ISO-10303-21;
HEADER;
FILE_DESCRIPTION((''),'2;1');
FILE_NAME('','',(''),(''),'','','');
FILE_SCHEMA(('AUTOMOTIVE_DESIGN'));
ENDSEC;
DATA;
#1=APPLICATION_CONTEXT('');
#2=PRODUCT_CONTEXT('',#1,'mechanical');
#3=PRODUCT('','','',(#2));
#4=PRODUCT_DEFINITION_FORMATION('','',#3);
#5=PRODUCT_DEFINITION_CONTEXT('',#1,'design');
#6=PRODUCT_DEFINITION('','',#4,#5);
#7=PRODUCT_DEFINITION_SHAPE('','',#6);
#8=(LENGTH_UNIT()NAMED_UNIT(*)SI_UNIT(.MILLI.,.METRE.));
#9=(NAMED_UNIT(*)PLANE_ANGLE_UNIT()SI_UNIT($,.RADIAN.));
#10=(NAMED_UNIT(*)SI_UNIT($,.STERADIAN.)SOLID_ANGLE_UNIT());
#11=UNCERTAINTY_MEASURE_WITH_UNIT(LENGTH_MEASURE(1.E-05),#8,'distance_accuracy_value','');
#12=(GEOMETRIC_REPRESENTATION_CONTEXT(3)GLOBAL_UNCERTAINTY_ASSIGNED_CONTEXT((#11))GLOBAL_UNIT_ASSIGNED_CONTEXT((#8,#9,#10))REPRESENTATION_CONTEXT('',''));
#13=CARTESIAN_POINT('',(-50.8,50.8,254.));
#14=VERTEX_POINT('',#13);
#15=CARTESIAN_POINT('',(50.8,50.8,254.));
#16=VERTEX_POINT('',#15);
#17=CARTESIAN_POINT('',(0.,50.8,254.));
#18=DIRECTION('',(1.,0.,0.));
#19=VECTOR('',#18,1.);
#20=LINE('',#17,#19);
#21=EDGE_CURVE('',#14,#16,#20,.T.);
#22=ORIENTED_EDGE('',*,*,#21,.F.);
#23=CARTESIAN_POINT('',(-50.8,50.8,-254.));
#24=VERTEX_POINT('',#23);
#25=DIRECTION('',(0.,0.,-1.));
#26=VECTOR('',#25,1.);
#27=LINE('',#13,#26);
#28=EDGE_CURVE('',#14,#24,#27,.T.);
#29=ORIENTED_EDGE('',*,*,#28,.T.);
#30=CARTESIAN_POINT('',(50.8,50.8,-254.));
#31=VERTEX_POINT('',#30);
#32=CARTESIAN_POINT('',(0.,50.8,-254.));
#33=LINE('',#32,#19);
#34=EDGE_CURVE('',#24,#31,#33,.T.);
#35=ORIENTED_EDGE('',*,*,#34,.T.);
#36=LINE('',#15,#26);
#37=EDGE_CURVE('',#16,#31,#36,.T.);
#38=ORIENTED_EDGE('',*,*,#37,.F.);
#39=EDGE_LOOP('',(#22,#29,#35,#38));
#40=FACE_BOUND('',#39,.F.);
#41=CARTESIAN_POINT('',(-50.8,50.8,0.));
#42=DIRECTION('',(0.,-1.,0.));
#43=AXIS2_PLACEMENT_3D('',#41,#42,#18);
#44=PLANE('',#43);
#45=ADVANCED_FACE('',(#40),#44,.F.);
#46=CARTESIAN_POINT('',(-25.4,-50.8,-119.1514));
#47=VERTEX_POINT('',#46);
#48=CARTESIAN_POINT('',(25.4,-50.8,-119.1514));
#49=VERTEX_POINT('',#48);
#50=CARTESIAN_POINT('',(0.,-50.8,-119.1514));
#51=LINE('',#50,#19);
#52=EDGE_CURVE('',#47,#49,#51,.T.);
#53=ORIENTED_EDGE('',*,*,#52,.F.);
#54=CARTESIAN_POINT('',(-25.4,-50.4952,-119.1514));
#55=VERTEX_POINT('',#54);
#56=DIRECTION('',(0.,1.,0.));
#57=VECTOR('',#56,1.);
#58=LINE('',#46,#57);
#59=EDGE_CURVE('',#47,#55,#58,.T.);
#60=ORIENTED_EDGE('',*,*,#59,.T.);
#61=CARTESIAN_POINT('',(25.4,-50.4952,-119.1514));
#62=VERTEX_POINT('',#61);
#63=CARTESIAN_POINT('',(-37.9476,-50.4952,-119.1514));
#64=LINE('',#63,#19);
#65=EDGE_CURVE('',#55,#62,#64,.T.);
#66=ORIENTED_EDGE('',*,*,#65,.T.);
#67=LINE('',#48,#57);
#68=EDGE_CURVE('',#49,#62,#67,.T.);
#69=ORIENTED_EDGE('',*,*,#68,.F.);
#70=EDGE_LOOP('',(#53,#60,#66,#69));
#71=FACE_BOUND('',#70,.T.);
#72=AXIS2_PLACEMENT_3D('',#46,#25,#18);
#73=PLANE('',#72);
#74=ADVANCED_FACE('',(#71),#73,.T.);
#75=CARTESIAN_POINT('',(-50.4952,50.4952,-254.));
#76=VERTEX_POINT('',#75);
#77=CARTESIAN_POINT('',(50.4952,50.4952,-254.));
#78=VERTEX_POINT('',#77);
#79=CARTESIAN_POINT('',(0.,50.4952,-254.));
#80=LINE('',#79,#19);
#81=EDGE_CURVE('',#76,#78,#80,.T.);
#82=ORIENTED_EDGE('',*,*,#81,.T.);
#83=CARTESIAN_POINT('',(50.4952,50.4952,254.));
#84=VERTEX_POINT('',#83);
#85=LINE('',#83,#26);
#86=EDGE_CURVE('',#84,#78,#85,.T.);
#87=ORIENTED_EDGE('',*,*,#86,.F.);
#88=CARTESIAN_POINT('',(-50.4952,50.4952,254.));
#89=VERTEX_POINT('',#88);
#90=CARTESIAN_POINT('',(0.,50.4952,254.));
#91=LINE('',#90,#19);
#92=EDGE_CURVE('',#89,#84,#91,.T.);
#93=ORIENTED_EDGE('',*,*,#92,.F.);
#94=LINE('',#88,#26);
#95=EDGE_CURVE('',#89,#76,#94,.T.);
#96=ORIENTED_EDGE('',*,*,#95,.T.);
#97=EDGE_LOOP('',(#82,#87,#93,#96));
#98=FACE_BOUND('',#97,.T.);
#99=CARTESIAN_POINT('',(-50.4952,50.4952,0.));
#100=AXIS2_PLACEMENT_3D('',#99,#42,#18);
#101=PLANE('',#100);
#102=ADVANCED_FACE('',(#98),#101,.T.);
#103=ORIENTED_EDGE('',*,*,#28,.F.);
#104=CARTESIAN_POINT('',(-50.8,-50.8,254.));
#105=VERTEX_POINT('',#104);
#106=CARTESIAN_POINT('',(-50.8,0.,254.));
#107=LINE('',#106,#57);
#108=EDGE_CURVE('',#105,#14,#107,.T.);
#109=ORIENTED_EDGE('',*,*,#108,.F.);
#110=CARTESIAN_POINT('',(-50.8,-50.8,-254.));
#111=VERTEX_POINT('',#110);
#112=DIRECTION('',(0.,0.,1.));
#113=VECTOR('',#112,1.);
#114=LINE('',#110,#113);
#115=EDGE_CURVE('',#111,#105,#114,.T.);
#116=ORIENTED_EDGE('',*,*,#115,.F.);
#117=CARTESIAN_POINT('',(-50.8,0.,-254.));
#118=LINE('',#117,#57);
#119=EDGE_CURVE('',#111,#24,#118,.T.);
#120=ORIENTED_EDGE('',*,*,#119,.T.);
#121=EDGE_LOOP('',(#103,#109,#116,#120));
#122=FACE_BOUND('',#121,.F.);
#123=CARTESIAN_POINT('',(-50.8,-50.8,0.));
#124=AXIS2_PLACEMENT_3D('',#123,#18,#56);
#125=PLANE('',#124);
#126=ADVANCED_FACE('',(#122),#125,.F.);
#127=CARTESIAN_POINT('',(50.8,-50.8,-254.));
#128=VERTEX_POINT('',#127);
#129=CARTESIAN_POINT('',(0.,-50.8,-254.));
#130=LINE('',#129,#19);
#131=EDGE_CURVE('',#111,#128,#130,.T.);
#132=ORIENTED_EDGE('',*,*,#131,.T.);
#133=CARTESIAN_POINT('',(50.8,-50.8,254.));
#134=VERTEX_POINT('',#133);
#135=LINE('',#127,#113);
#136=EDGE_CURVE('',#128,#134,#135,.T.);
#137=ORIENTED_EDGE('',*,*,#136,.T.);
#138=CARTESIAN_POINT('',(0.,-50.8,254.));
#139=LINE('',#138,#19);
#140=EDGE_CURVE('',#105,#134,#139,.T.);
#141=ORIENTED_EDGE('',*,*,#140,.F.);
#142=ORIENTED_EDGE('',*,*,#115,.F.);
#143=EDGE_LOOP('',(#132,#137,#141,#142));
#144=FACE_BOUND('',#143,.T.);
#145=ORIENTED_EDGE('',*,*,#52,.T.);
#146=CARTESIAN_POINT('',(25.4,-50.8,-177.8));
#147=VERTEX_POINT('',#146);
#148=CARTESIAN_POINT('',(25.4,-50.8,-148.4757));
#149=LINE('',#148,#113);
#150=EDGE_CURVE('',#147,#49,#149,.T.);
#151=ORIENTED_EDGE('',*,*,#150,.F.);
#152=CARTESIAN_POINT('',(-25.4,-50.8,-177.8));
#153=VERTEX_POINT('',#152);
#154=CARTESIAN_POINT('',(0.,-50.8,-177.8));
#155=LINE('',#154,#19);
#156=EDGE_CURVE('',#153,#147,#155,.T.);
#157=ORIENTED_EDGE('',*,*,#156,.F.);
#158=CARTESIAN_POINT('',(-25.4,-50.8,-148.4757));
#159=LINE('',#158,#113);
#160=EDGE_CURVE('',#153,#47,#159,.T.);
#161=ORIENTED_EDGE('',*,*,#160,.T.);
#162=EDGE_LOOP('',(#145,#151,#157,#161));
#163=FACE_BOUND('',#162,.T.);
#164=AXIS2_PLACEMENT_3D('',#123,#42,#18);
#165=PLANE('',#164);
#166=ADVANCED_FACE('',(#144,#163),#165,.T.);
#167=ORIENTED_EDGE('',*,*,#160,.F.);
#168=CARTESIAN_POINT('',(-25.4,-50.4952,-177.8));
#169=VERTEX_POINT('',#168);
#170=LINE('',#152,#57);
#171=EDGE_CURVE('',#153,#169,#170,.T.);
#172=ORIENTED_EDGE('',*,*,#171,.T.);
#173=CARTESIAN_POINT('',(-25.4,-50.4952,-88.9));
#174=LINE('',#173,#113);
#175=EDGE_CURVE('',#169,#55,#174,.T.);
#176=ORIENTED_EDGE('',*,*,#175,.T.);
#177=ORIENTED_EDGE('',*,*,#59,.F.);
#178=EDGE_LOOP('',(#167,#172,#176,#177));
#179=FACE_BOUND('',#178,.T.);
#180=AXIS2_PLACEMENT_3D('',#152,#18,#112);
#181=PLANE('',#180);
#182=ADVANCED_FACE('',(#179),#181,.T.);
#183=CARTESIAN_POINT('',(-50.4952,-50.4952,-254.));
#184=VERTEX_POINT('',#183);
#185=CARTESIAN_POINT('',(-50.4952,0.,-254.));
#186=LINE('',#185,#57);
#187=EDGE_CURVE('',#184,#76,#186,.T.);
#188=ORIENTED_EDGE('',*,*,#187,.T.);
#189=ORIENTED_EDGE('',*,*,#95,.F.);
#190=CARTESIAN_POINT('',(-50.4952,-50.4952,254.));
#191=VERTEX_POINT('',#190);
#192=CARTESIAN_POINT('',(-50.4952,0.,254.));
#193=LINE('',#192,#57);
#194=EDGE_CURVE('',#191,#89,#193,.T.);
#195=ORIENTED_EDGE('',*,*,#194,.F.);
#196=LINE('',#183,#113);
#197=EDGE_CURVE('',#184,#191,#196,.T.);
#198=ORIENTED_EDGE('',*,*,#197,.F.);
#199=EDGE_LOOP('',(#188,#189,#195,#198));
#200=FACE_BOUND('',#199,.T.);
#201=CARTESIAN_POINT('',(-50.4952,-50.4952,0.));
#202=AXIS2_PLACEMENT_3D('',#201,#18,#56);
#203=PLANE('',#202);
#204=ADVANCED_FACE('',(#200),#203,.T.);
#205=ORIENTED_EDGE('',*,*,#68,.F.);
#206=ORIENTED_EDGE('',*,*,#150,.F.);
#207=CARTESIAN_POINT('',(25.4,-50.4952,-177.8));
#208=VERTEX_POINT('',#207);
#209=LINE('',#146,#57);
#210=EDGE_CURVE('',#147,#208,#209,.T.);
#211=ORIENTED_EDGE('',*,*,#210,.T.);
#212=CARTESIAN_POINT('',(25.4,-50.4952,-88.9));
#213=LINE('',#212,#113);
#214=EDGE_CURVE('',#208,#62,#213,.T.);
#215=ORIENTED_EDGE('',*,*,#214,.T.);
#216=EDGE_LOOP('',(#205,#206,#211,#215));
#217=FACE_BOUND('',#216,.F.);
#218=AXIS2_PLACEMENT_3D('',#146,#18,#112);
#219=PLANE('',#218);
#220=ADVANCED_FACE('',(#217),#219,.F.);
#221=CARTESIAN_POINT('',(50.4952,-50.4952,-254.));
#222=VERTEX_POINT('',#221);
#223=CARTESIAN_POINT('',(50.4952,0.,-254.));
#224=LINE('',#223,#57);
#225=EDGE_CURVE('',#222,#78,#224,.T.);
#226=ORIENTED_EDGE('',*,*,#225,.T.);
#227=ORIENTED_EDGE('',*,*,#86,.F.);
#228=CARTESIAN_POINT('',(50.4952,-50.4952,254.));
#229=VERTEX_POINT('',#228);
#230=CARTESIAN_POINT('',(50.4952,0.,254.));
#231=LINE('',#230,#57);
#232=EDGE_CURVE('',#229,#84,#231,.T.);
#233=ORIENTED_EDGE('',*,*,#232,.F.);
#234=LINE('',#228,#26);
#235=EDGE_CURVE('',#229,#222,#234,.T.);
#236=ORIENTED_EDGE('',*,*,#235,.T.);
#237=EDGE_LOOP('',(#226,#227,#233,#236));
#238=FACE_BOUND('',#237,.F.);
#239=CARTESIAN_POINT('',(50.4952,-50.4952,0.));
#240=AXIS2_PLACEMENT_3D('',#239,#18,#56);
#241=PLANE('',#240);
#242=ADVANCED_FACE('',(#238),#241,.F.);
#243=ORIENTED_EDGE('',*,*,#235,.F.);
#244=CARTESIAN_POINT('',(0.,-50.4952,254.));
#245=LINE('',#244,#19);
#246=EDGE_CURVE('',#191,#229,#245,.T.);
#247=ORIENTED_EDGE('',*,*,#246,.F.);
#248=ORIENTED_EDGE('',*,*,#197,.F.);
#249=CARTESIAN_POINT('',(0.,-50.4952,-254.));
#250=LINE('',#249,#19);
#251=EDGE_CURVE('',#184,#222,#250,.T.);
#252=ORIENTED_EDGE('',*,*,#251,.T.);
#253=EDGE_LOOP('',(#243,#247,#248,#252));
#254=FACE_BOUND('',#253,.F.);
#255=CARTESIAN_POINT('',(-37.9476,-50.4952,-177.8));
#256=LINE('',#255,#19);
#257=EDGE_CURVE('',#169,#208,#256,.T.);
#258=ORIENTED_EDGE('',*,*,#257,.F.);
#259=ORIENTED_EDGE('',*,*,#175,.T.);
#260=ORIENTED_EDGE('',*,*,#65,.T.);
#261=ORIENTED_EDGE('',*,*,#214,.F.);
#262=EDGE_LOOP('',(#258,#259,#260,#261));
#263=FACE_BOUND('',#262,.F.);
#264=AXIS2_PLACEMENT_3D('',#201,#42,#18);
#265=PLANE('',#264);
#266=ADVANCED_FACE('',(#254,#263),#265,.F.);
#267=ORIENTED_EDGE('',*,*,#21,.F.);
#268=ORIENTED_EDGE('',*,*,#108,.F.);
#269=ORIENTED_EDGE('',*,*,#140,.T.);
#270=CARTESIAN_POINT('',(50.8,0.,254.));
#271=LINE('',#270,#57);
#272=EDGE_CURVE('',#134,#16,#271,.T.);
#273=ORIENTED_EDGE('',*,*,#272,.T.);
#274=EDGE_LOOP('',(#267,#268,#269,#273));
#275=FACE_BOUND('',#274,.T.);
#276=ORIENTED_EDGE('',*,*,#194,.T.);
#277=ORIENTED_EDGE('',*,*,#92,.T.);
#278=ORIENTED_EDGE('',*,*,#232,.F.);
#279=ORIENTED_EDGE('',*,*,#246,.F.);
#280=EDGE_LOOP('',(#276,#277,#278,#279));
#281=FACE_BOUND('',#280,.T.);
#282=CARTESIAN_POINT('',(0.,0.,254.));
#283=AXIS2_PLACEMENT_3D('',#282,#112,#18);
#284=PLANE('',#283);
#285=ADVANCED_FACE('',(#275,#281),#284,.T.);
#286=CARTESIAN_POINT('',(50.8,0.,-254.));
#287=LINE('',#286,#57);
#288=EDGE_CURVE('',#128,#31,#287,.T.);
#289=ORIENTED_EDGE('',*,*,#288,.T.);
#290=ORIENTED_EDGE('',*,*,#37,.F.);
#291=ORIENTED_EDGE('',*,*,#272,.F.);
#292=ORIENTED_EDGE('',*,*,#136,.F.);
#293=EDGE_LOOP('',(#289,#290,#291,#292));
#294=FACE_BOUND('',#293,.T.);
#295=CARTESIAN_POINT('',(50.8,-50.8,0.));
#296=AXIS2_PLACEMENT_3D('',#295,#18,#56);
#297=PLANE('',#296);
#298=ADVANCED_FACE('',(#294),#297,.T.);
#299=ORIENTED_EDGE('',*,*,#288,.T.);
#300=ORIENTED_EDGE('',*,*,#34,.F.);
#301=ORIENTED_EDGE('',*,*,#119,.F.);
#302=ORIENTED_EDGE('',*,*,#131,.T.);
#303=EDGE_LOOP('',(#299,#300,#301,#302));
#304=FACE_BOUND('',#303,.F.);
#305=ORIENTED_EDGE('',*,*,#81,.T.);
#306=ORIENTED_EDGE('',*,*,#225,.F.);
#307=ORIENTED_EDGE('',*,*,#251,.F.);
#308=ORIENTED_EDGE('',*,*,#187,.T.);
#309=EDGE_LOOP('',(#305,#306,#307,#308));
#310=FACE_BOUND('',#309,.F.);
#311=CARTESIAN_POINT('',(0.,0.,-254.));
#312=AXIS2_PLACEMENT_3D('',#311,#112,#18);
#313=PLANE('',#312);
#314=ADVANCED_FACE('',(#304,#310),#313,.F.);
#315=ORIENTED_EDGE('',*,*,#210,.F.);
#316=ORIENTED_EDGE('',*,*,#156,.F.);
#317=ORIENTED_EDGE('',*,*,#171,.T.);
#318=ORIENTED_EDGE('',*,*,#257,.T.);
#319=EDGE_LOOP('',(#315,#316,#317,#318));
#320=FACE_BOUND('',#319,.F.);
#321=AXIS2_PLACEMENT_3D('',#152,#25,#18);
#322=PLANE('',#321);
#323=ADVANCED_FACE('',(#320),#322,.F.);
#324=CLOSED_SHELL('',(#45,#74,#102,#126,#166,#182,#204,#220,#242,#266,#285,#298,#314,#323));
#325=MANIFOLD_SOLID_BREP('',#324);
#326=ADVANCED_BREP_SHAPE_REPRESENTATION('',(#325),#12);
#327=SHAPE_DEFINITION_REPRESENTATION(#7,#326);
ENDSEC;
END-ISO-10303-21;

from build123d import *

# Parameters (mm, degrees)
F0_W     = 101.6
F0_H     = 101.6
F0_W_2   = 100.9904
F0_H_2   = 100.9904
F1_DEPTH = 254
F2_DEPTH = 254
F3_W     = 50.8
F3_H     = 58.6486
F4_DEPTH = 0.32766


with BuildPart() as f1:
    # F0 (on Top) → F1 (new body, symmetric)
    with BuildSketch(Plane.XY):
        Rectangle(F0_W, F0_H)
        Rectangle(F0_W_2, F0_H_2, mode=Mode.SUBTRACT)
    extrude(amount=F1_DEPTH, both=True)

    # F0 (on Top) → F2 (cut, symmetric)
    with BuildSketch(Plane.XY):
        Rectangle(F0_W_2, F0_H_2)
    extrude(amount=F2_DEPTH, both=True, mode=Mode.SUBTRACT)

    # F3 (on face) → F4 (cut)
    with BuildSketch(Plane.XZ.offset(50.8)):
        with Locations((0, -148.4757)):
            Rectangle(F3_W, F3_H)
    extrude(amount=-F4_DEPTH, mode=Mode.SUBTRACT)


solid = f1.part
